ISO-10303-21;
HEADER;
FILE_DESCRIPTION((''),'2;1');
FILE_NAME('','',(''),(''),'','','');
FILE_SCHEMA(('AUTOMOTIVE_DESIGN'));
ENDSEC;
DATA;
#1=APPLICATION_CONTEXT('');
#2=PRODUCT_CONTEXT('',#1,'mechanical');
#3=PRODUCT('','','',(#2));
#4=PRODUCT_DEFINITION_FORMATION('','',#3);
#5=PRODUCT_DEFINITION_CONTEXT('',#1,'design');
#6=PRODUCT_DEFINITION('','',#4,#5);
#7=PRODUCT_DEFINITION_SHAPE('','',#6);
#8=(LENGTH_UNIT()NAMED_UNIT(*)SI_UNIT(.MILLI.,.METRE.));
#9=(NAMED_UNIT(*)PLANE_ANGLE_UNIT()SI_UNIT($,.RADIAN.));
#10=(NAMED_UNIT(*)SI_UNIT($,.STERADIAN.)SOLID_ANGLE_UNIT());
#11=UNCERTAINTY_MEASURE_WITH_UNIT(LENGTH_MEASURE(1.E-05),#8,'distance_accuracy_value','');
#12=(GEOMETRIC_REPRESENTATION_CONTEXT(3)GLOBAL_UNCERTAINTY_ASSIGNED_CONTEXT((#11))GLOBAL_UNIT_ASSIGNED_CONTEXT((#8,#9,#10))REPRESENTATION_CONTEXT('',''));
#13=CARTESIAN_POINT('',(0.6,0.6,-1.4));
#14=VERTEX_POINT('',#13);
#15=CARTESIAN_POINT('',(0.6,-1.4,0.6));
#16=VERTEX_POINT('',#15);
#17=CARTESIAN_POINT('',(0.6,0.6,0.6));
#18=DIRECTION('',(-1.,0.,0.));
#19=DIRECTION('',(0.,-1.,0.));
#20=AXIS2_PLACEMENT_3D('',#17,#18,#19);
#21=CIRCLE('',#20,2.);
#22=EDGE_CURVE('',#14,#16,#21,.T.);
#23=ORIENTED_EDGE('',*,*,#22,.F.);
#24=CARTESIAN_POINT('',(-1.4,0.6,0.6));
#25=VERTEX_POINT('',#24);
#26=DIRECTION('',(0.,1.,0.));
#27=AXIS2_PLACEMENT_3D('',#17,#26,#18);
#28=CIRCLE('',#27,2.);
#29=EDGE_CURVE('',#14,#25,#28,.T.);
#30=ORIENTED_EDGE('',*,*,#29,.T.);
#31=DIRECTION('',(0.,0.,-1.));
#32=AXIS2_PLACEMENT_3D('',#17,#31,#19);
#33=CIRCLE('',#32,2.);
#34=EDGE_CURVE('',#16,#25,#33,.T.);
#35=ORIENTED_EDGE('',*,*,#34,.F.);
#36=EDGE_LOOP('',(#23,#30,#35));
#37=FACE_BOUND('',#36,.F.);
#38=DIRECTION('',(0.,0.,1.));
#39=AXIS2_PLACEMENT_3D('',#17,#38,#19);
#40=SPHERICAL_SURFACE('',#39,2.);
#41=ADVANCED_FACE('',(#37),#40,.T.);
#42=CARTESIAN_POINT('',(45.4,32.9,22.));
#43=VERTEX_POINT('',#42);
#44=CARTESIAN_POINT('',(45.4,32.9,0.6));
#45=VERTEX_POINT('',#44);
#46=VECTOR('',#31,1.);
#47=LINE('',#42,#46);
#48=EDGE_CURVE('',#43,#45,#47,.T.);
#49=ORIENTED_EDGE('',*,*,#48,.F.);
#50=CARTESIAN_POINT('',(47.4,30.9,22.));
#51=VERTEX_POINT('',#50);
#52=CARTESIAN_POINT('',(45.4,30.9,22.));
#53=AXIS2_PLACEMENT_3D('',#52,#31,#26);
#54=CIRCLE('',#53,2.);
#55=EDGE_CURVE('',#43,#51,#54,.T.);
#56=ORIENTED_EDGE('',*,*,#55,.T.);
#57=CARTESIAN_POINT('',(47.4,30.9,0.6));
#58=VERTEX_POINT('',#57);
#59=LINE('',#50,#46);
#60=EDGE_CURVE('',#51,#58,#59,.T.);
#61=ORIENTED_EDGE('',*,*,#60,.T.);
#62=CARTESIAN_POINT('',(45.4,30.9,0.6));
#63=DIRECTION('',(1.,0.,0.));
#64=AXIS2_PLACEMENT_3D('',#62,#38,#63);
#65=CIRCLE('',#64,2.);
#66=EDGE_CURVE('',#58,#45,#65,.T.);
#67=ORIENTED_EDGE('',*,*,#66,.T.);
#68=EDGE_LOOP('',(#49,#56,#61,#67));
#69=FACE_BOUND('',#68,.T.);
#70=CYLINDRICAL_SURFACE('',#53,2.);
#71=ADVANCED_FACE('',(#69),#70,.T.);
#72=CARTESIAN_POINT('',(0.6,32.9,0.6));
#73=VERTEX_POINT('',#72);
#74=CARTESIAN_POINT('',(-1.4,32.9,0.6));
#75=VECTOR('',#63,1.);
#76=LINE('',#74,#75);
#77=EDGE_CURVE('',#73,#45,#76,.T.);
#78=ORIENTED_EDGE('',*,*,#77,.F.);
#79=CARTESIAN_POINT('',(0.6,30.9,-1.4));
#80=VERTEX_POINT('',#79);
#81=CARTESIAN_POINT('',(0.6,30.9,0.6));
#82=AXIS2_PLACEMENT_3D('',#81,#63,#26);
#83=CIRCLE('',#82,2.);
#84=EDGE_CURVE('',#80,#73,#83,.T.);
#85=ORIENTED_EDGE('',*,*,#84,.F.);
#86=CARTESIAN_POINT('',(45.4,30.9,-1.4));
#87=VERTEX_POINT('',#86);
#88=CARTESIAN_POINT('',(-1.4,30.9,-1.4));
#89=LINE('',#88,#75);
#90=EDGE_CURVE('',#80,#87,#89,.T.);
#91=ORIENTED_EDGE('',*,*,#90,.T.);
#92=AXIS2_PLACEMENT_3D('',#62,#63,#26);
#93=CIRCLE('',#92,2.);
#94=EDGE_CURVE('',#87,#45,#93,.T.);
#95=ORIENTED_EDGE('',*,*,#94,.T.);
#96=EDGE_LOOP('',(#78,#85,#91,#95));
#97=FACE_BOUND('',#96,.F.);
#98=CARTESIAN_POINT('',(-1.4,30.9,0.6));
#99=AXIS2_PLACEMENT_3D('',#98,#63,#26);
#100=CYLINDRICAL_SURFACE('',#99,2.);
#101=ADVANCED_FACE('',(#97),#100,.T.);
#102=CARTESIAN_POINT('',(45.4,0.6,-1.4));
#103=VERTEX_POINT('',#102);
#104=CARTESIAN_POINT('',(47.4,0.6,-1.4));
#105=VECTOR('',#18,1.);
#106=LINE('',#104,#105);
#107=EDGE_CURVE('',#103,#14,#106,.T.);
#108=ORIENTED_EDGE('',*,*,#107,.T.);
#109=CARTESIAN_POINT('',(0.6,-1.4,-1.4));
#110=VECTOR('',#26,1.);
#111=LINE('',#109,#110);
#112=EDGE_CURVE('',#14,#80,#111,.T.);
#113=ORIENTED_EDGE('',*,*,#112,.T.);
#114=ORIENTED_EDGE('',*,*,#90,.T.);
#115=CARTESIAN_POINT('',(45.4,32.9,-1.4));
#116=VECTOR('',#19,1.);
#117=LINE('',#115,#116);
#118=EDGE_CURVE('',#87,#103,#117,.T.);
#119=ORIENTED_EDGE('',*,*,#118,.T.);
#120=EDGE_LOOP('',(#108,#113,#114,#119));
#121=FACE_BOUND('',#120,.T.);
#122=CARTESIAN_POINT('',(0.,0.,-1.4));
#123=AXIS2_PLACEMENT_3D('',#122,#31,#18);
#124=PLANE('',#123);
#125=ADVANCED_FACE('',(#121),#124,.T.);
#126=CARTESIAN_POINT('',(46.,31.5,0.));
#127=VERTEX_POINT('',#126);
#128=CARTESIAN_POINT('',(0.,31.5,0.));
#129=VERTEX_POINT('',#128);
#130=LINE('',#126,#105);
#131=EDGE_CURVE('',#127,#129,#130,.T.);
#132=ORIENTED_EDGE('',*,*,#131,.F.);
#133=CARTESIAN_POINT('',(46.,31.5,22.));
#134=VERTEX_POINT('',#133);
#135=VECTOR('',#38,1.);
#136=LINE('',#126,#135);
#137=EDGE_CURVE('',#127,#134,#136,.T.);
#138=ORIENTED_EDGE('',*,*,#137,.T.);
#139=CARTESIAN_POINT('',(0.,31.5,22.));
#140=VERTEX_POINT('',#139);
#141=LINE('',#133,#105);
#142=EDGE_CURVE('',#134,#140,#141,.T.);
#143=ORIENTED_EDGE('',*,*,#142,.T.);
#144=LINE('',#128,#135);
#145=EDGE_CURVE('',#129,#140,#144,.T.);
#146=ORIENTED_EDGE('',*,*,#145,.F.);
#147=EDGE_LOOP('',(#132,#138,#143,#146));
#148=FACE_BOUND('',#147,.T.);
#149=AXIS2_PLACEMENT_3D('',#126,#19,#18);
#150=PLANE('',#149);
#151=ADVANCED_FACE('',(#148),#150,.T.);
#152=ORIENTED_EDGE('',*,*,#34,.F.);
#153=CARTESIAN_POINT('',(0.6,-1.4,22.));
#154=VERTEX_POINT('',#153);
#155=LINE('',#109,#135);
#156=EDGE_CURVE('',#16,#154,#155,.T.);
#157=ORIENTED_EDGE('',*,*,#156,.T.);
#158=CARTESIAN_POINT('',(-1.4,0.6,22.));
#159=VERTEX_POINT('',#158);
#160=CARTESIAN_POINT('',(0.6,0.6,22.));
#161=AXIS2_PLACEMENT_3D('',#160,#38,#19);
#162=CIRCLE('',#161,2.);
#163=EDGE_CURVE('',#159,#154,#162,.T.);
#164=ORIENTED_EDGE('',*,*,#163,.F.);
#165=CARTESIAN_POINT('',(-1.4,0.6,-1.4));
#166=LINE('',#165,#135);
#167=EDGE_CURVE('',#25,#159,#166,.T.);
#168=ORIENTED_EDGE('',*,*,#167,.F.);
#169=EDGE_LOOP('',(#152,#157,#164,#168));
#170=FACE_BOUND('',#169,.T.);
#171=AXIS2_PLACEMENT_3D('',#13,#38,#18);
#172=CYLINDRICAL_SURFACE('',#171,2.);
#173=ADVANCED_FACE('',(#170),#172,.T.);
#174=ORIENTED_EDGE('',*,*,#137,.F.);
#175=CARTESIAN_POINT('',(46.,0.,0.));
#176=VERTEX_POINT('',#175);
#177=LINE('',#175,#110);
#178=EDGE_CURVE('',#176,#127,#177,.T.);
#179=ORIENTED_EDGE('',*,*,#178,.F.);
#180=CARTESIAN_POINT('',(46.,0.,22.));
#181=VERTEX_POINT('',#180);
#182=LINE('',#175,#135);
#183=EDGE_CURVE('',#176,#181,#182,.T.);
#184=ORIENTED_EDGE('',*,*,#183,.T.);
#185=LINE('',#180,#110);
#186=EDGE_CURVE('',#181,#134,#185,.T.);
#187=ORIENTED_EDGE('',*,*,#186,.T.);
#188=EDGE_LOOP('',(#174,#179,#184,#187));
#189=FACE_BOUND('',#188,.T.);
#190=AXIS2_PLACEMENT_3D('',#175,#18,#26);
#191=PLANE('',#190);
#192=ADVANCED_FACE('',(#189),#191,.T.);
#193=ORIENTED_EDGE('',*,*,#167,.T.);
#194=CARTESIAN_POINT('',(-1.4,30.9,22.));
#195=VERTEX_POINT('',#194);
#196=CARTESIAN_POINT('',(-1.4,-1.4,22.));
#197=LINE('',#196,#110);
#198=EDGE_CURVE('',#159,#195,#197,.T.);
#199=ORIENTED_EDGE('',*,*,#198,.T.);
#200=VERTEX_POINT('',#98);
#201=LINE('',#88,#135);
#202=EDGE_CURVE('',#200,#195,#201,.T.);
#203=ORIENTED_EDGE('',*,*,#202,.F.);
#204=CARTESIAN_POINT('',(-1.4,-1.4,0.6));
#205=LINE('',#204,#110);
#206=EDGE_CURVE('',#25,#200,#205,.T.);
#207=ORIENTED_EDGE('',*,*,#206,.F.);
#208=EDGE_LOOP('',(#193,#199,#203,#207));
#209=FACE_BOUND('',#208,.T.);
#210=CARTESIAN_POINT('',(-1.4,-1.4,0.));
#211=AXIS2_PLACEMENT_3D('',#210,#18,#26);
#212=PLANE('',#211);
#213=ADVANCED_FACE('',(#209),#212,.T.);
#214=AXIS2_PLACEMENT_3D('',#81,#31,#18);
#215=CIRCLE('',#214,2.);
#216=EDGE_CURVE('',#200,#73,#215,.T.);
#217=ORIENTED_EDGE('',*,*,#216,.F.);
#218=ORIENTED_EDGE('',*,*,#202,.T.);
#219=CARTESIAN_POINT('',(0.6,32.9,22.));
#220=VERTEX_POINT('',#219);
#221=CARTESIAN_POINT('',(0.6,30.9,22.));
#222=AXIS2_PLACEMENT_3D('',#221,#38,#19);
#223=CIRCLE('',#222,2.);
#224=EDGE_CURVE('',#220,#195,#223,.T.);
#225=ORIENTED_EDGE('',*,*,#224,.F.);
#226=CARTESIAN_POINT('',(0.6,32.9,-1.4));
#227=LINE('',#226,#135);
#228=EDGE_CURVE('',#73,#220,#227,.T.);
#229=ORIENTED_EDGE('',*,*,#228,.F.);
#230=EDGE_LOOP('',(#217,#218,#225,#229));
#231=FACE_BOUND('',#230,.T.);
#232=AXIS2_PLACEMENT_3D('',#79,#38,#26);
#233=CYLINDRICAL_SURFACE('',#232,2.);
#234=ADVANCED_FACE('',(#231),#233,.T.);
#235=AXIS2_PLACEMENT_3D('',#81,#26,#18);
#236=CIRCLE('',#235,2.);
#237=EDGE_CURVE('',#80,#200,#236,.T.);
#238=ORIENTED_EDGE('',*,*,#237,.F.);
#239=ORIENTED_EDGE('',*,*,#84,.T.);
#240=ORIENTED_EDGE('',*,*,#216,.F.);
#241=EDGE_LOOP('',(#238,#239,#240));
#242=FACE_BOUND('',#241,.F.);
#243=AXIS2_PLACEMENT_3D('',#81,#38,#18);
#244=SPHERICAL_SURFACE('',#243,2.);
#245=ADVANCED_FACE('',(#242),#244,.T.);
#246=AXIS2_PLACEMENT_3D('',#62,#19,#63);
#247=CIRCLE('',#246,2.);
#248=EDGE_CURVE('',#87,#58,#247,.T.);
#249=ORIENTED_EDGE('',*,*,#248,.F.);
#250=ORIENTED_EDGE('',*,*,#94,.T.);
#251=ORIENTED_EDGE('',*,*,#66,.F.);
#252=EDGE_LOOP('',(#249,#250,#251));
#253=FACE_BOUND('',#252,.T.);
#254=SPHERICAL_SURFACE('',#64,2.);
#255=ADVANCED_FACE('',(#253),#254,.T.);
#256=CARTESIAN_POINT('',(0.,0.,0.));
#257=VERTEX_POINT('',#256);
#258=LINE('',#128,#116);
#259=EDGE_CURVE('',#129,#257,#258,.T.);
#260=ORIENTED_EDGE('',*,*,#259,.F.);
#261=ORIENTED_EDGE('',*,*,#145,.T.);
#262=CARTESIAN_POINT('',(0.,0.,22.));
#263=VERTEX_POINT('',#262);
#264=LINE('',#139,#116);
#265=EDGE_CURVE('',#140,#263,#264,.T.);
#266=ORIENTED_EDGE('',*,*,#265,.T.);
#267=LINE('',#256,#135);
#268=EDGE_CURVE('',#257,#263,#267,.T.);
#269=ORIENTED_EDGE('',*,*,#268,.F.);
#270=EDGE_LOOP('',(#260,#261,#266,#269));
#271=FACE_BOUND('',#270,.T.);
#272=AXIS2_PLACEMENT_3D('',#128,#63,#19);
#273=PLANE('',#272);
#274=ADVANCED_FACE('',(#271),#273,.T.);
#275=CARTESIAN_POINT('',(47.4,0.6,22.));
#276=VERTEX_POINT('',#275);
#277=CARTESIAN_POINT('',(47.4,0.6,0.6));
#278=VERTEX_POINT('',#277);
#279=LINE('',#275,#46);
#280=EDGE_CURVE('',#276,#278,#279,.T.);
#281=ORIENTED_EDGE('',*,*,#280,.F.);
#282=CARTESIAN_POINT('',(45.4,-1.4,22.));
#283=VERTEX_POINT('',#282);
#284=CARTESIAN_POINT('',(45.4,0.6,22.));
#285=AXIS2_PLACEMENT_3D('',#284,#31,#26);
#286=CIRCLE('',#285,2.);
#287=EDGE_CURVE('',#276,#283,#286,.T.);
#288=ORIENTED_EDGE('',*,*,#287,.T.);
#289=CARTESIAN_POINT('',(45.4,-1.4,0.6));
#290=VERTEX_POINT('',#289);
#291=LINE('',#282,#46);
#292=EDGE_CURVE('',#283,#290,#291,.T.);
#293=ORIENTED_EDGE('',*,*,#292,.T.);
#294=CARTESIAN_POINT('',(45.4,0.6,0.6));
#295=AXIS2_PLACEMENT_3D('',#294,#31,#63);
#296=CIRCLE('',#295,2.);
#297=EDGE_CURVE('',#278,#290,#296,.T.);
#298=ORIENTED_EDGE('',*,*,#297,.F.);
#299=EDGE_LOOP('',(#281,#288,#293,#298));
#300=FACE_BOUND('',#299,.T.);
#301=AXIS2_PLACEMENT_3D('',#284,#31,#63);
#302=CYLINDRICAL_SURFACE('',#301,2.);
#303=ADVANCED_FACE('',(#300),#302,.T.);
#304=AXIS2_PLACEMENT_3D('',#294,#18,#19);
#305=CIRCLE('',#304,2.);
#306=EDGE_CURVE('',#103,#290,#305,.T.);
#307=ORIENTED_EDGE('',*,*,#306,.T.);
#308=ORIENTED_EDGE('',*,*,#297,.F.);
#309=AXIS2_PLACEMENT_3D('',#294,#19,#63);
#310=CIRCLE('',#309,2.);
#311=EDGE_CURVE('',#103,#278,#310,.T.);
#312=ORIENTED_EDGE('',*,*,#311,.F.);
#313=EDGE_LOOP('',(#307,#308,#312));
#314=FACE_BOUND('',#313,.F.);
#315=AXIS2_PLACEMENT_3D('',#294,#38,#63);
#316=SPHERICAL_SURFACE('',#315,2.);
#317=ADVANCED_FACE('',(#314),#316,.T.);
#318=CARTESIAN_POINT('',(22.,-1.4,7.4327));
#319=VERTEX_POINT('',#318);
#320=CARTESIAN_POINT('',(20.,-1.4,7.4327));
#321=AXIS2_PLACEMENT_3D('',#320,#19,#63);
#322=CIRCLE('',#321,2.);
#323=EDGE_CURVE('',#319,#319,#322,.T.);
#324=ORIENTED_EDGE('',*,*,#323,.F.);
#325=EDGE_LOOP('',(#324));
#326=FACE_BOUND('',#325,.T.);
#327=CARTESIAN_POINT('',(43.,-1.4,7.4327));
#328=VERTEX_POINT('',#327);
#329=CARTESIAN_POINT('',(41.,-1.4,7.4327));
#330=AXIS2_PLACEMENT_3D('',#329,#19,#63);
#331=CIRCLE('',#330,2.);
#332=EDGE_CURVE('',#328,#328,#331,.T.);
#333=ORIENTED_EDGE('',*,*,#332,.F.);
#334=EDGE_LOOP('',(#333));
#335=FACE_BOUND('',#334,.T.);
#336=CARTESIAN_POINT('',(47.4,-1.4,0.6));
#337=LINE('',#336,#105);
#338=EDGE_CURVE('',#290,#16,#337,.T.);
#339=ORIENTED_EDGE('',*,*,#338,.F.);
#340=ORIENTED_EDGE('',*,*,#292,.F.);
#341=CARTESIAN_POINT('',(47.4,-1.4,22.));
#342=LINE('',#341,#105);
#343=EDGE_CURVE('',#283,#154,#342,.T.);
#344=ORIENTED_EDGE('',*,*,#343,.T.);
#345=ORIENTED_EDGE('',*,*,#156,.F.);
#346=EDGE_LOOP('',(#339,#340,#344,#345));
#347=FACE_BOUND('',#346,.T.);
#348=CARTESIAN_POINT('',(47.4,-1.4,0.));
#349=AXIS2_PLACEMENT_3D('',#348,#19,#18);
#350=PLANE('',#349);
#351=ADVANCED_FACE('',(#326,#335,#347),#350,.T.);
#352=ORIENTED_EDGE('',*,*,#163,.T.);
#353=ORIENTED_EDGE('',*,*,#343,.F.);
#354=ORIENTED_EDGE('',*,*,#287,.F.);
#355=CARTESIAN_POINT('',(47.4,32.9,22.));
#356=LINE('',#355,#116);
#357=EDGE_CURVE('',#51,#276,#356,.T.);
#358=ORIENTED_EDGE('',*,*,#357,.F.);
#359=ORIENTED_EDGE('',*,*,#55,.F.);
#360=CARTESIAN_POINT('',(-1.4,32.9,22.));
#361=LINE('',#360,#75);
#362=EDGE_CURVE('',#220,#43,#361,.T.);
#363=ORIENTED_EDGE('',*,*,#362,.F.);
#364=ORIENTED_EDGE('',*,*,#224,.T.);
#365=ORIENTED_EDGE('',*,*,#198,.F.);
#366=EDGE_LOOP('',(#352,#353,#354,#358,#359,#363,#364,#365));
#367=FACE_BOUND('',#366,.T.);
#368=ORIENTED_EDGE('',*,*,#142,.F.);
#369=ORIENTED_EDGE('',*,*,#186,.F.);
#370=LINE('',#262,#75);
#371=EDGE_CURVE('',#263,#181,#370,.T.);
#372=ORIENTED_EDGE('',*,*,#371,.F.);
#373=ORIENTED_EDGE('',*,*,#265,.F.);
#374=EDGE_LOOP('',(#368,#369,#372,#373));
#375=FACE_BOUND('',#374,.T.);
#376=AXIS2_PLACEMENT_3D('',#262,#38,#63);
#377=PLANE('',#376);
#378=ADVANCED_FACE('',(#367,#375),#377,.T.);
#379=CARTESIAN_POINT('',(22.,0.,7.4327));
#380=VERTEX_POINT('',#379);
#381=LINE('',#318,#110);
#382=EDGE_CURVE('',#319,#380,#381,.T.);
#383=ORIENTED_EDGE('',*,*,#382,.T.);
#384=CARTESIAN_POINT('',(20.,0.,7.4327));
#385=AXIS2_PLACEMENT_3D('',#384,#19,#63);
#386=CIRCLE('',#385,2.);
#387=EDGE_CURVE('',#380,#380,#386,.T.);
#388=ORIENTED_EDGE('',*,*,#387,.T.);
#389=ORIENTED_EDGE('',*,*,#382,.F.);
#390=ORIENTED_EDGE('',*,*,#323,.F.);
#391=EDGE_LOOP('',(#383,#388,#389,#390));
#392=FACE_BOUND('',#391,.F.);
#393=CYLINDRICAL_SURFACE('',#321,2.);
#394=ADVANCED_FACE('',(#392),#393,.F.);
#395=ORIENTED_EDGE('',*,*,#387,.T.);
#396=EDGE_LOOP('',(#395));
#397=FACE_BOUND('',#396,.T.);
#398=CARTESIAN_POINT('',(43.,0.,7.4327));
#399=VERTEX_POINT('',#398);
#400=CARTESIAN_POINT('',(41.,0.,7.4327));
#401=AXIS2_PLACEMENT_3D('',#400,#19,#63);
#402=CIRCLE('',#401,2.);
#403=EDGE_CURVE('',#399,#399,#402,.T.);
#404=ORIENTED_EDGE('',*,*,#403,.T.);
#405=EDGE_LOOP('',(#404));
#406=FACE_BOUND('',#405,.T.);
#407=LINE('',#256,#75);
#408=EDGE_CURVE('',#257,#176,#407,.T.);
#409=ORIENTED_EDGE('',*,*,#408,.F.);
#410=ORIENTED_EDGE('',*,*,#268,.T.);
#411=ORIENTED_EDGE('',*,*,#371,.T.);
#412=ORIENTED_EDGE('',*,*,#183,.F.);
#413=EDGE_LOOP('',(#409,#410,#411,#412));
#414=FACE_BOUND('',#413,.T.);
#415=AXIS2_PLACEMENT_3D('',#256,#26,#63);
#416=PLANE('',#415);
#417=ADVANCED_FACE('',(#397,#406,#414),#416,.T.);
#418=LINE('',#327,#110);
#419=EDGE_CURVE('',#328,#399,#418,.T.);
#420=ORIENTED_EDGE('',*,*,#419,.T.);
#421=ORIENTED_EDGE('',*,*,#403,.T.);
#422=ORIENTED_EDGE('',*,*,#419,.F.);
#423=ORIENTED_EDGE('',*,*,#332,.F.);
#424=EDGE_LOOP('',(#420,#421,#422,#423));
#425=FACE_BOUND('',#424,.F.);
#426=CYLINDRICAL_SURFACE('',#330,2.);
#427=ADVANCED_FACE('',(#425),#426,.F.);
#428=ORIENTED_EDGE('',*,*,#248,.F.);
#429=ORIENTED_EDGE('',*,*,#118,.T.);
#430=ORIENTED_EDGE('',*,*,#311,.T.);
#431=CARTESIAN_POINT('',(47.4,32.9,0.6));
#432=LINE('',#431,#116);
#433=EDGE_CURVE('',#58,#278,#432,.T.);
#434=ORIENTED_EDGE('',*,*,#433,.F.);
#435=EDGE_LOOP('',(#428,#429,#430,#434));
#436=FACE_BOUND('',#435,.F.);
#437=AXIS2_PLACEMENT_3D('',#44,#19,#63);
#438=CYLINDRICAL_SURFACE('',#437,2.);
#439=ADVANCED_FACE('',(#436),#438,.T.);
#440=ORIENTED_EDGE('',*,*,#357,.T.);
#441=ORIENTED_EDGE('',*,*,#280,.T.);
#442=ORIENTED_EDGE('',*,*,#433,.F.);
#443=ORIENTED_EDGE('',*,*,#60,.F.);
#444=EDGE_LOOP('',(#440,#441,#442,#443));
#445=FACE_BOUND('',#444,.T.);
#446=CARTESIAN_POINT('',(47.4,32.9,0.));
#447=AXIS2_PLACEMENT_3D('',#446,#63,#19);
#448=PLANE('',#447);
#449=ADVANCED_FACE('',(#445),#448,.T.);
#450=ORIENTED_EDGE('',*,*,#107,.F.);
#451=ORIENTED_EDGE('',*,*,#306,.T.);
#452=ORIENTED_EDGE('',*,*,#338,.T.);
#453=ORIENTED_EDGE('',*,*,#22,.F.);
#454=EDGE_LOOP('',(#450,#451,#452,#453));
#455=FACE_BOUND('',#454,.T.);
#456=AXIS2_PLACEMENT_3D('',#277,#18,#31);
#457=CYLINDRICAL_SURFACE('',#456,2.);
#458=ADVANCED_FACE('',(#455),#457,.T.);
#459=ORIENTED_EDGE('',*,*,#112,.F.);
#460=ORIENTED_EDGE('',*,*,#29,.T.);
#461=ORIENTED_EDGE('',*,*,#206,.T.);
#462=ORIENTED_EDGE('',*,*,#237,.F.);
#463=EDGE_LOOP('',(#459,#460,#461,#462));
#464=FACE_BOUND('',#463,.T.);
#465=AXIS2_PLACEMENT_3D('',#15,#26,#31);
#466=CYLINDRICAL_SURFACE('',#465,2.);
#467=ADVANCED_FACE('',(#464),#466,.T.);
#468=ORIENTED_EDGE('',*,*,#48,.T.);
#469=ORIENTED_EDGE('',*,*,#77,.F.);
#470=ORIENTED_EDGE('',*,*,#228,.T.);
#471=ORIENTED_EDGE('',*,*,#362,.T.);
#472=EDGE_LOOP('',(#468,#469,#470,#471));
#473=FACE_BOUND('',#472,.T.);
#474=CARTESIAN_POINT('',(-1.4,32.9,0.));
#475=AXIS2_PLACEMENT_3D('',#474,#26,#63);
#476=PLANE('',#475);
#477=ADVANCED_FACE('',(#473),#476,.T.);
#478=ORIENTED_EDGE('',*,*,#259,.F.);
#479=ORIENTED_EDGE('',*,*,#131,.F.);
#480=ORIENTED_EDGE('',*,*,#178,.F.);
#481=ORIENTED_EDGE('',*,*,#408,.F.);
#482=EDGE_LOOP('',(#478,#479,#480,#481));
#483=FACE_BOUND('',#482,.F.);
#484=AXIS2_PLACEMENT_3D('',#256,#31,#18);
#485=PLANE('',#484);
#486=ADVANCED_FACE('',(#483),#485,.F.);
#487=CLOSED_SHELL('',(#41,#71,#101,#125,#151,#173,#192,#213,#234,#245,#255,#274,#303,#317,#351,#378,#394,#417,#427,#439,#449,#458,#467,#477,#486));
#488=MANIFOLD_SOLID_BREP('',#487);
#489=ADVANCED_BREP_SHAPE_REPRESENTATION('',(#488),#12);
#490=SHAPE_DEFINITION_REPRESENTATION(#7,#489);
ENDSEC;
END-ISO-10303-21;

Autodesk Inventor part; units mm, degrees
ref_plane "YZ Plane" through (0, 0, 0) normal (1, 0, 0) x (0, 1, 0)
ref_plane "XZ Plane" through (0, 0, 0) normal (0, 1, 0) x (-1, 0, 0)
ref_plane "XY Plane" through (0, 0, 0) normal (0, 0, 1) x (1, 0, 0)
sketch "Sketch1" plane through (0, 0, 0) normal (0, 0, 1) x (1, 0, 0)
  line L0 (0, 0) -> (46, 0)
  line L1 (46, 0) -> (46, 31.5)
  line L2 (46, 31.5) -> (0, 31.5)
  line L3 (0, 31.5) -> (0, 0)
  line L4 (-1.4, 32.9) -> (47.4, 32.9)
  line L5 (47.4, 32.9) -> (47.4, -1.4)
  line L6 (47.4, -1.4) -> (-1.4, -1.4)
  line L7 (-1.4, -1.4) -> (-1.4, 32.9)
  dimension "d0" = 46
  dimension "d1" = 31.5
  dimension "d2" = 1.4
extrude "Extrusion1" add sketch "Sketch1" along normal blind 22
sketch "Sketch2" plane through (0, 0, 0) normal (0, 0, -1) x (-1, 0, 0)
  line L0 (1.4, -1.4) -> (1.4, 32.9) projected
  line L1 (-47.4, -1.4) -> (1.4, -1.4) projected
  line L2 (1.4, 32.9) -> (-47.4, 32.9) projected
  line L3 (-47.4, 32.9) -> (-47.4, -1.4) projected
  point P0 (0, 0)
extrude "Extrusion2" add sketch "Sketch2" along normal blind 1.4
sketch "Sketch3" plane through (-1.4, -1.4, 22) normal (0, -1, 0) x (1, 0, 0)
  circle A0 centre (21.4, -14.5673) radius 2
  line L0 (1.4, -22) -> (1.4, 0) projected
  circle A1 centre (42.4, -14.5673) radius 2
  line L1 (47.4, -22) -> (47.4, 0) projected
  dimension "d7" = 4
  dimension "d8" = 20
  dimension "d9" = 4
  dimension "d10" = 5
extrude "Extrusion3" cut sketch "Sketch3" against normal blind 1.4
fillet "Fillet1" radius 2 8 edges at (-1.4, -1.4, 10.3) (47.4, -1.4, 10.3) (47.4, 32.9, 10.3) (-1.4, 32.9, 10.3) (47.4, 15.75, -1.4) (23, -1.4, -1.4) (-1.4, 15.75, -1.4) (23, 32.9, -1.4)
properties part number "relay-housing"
